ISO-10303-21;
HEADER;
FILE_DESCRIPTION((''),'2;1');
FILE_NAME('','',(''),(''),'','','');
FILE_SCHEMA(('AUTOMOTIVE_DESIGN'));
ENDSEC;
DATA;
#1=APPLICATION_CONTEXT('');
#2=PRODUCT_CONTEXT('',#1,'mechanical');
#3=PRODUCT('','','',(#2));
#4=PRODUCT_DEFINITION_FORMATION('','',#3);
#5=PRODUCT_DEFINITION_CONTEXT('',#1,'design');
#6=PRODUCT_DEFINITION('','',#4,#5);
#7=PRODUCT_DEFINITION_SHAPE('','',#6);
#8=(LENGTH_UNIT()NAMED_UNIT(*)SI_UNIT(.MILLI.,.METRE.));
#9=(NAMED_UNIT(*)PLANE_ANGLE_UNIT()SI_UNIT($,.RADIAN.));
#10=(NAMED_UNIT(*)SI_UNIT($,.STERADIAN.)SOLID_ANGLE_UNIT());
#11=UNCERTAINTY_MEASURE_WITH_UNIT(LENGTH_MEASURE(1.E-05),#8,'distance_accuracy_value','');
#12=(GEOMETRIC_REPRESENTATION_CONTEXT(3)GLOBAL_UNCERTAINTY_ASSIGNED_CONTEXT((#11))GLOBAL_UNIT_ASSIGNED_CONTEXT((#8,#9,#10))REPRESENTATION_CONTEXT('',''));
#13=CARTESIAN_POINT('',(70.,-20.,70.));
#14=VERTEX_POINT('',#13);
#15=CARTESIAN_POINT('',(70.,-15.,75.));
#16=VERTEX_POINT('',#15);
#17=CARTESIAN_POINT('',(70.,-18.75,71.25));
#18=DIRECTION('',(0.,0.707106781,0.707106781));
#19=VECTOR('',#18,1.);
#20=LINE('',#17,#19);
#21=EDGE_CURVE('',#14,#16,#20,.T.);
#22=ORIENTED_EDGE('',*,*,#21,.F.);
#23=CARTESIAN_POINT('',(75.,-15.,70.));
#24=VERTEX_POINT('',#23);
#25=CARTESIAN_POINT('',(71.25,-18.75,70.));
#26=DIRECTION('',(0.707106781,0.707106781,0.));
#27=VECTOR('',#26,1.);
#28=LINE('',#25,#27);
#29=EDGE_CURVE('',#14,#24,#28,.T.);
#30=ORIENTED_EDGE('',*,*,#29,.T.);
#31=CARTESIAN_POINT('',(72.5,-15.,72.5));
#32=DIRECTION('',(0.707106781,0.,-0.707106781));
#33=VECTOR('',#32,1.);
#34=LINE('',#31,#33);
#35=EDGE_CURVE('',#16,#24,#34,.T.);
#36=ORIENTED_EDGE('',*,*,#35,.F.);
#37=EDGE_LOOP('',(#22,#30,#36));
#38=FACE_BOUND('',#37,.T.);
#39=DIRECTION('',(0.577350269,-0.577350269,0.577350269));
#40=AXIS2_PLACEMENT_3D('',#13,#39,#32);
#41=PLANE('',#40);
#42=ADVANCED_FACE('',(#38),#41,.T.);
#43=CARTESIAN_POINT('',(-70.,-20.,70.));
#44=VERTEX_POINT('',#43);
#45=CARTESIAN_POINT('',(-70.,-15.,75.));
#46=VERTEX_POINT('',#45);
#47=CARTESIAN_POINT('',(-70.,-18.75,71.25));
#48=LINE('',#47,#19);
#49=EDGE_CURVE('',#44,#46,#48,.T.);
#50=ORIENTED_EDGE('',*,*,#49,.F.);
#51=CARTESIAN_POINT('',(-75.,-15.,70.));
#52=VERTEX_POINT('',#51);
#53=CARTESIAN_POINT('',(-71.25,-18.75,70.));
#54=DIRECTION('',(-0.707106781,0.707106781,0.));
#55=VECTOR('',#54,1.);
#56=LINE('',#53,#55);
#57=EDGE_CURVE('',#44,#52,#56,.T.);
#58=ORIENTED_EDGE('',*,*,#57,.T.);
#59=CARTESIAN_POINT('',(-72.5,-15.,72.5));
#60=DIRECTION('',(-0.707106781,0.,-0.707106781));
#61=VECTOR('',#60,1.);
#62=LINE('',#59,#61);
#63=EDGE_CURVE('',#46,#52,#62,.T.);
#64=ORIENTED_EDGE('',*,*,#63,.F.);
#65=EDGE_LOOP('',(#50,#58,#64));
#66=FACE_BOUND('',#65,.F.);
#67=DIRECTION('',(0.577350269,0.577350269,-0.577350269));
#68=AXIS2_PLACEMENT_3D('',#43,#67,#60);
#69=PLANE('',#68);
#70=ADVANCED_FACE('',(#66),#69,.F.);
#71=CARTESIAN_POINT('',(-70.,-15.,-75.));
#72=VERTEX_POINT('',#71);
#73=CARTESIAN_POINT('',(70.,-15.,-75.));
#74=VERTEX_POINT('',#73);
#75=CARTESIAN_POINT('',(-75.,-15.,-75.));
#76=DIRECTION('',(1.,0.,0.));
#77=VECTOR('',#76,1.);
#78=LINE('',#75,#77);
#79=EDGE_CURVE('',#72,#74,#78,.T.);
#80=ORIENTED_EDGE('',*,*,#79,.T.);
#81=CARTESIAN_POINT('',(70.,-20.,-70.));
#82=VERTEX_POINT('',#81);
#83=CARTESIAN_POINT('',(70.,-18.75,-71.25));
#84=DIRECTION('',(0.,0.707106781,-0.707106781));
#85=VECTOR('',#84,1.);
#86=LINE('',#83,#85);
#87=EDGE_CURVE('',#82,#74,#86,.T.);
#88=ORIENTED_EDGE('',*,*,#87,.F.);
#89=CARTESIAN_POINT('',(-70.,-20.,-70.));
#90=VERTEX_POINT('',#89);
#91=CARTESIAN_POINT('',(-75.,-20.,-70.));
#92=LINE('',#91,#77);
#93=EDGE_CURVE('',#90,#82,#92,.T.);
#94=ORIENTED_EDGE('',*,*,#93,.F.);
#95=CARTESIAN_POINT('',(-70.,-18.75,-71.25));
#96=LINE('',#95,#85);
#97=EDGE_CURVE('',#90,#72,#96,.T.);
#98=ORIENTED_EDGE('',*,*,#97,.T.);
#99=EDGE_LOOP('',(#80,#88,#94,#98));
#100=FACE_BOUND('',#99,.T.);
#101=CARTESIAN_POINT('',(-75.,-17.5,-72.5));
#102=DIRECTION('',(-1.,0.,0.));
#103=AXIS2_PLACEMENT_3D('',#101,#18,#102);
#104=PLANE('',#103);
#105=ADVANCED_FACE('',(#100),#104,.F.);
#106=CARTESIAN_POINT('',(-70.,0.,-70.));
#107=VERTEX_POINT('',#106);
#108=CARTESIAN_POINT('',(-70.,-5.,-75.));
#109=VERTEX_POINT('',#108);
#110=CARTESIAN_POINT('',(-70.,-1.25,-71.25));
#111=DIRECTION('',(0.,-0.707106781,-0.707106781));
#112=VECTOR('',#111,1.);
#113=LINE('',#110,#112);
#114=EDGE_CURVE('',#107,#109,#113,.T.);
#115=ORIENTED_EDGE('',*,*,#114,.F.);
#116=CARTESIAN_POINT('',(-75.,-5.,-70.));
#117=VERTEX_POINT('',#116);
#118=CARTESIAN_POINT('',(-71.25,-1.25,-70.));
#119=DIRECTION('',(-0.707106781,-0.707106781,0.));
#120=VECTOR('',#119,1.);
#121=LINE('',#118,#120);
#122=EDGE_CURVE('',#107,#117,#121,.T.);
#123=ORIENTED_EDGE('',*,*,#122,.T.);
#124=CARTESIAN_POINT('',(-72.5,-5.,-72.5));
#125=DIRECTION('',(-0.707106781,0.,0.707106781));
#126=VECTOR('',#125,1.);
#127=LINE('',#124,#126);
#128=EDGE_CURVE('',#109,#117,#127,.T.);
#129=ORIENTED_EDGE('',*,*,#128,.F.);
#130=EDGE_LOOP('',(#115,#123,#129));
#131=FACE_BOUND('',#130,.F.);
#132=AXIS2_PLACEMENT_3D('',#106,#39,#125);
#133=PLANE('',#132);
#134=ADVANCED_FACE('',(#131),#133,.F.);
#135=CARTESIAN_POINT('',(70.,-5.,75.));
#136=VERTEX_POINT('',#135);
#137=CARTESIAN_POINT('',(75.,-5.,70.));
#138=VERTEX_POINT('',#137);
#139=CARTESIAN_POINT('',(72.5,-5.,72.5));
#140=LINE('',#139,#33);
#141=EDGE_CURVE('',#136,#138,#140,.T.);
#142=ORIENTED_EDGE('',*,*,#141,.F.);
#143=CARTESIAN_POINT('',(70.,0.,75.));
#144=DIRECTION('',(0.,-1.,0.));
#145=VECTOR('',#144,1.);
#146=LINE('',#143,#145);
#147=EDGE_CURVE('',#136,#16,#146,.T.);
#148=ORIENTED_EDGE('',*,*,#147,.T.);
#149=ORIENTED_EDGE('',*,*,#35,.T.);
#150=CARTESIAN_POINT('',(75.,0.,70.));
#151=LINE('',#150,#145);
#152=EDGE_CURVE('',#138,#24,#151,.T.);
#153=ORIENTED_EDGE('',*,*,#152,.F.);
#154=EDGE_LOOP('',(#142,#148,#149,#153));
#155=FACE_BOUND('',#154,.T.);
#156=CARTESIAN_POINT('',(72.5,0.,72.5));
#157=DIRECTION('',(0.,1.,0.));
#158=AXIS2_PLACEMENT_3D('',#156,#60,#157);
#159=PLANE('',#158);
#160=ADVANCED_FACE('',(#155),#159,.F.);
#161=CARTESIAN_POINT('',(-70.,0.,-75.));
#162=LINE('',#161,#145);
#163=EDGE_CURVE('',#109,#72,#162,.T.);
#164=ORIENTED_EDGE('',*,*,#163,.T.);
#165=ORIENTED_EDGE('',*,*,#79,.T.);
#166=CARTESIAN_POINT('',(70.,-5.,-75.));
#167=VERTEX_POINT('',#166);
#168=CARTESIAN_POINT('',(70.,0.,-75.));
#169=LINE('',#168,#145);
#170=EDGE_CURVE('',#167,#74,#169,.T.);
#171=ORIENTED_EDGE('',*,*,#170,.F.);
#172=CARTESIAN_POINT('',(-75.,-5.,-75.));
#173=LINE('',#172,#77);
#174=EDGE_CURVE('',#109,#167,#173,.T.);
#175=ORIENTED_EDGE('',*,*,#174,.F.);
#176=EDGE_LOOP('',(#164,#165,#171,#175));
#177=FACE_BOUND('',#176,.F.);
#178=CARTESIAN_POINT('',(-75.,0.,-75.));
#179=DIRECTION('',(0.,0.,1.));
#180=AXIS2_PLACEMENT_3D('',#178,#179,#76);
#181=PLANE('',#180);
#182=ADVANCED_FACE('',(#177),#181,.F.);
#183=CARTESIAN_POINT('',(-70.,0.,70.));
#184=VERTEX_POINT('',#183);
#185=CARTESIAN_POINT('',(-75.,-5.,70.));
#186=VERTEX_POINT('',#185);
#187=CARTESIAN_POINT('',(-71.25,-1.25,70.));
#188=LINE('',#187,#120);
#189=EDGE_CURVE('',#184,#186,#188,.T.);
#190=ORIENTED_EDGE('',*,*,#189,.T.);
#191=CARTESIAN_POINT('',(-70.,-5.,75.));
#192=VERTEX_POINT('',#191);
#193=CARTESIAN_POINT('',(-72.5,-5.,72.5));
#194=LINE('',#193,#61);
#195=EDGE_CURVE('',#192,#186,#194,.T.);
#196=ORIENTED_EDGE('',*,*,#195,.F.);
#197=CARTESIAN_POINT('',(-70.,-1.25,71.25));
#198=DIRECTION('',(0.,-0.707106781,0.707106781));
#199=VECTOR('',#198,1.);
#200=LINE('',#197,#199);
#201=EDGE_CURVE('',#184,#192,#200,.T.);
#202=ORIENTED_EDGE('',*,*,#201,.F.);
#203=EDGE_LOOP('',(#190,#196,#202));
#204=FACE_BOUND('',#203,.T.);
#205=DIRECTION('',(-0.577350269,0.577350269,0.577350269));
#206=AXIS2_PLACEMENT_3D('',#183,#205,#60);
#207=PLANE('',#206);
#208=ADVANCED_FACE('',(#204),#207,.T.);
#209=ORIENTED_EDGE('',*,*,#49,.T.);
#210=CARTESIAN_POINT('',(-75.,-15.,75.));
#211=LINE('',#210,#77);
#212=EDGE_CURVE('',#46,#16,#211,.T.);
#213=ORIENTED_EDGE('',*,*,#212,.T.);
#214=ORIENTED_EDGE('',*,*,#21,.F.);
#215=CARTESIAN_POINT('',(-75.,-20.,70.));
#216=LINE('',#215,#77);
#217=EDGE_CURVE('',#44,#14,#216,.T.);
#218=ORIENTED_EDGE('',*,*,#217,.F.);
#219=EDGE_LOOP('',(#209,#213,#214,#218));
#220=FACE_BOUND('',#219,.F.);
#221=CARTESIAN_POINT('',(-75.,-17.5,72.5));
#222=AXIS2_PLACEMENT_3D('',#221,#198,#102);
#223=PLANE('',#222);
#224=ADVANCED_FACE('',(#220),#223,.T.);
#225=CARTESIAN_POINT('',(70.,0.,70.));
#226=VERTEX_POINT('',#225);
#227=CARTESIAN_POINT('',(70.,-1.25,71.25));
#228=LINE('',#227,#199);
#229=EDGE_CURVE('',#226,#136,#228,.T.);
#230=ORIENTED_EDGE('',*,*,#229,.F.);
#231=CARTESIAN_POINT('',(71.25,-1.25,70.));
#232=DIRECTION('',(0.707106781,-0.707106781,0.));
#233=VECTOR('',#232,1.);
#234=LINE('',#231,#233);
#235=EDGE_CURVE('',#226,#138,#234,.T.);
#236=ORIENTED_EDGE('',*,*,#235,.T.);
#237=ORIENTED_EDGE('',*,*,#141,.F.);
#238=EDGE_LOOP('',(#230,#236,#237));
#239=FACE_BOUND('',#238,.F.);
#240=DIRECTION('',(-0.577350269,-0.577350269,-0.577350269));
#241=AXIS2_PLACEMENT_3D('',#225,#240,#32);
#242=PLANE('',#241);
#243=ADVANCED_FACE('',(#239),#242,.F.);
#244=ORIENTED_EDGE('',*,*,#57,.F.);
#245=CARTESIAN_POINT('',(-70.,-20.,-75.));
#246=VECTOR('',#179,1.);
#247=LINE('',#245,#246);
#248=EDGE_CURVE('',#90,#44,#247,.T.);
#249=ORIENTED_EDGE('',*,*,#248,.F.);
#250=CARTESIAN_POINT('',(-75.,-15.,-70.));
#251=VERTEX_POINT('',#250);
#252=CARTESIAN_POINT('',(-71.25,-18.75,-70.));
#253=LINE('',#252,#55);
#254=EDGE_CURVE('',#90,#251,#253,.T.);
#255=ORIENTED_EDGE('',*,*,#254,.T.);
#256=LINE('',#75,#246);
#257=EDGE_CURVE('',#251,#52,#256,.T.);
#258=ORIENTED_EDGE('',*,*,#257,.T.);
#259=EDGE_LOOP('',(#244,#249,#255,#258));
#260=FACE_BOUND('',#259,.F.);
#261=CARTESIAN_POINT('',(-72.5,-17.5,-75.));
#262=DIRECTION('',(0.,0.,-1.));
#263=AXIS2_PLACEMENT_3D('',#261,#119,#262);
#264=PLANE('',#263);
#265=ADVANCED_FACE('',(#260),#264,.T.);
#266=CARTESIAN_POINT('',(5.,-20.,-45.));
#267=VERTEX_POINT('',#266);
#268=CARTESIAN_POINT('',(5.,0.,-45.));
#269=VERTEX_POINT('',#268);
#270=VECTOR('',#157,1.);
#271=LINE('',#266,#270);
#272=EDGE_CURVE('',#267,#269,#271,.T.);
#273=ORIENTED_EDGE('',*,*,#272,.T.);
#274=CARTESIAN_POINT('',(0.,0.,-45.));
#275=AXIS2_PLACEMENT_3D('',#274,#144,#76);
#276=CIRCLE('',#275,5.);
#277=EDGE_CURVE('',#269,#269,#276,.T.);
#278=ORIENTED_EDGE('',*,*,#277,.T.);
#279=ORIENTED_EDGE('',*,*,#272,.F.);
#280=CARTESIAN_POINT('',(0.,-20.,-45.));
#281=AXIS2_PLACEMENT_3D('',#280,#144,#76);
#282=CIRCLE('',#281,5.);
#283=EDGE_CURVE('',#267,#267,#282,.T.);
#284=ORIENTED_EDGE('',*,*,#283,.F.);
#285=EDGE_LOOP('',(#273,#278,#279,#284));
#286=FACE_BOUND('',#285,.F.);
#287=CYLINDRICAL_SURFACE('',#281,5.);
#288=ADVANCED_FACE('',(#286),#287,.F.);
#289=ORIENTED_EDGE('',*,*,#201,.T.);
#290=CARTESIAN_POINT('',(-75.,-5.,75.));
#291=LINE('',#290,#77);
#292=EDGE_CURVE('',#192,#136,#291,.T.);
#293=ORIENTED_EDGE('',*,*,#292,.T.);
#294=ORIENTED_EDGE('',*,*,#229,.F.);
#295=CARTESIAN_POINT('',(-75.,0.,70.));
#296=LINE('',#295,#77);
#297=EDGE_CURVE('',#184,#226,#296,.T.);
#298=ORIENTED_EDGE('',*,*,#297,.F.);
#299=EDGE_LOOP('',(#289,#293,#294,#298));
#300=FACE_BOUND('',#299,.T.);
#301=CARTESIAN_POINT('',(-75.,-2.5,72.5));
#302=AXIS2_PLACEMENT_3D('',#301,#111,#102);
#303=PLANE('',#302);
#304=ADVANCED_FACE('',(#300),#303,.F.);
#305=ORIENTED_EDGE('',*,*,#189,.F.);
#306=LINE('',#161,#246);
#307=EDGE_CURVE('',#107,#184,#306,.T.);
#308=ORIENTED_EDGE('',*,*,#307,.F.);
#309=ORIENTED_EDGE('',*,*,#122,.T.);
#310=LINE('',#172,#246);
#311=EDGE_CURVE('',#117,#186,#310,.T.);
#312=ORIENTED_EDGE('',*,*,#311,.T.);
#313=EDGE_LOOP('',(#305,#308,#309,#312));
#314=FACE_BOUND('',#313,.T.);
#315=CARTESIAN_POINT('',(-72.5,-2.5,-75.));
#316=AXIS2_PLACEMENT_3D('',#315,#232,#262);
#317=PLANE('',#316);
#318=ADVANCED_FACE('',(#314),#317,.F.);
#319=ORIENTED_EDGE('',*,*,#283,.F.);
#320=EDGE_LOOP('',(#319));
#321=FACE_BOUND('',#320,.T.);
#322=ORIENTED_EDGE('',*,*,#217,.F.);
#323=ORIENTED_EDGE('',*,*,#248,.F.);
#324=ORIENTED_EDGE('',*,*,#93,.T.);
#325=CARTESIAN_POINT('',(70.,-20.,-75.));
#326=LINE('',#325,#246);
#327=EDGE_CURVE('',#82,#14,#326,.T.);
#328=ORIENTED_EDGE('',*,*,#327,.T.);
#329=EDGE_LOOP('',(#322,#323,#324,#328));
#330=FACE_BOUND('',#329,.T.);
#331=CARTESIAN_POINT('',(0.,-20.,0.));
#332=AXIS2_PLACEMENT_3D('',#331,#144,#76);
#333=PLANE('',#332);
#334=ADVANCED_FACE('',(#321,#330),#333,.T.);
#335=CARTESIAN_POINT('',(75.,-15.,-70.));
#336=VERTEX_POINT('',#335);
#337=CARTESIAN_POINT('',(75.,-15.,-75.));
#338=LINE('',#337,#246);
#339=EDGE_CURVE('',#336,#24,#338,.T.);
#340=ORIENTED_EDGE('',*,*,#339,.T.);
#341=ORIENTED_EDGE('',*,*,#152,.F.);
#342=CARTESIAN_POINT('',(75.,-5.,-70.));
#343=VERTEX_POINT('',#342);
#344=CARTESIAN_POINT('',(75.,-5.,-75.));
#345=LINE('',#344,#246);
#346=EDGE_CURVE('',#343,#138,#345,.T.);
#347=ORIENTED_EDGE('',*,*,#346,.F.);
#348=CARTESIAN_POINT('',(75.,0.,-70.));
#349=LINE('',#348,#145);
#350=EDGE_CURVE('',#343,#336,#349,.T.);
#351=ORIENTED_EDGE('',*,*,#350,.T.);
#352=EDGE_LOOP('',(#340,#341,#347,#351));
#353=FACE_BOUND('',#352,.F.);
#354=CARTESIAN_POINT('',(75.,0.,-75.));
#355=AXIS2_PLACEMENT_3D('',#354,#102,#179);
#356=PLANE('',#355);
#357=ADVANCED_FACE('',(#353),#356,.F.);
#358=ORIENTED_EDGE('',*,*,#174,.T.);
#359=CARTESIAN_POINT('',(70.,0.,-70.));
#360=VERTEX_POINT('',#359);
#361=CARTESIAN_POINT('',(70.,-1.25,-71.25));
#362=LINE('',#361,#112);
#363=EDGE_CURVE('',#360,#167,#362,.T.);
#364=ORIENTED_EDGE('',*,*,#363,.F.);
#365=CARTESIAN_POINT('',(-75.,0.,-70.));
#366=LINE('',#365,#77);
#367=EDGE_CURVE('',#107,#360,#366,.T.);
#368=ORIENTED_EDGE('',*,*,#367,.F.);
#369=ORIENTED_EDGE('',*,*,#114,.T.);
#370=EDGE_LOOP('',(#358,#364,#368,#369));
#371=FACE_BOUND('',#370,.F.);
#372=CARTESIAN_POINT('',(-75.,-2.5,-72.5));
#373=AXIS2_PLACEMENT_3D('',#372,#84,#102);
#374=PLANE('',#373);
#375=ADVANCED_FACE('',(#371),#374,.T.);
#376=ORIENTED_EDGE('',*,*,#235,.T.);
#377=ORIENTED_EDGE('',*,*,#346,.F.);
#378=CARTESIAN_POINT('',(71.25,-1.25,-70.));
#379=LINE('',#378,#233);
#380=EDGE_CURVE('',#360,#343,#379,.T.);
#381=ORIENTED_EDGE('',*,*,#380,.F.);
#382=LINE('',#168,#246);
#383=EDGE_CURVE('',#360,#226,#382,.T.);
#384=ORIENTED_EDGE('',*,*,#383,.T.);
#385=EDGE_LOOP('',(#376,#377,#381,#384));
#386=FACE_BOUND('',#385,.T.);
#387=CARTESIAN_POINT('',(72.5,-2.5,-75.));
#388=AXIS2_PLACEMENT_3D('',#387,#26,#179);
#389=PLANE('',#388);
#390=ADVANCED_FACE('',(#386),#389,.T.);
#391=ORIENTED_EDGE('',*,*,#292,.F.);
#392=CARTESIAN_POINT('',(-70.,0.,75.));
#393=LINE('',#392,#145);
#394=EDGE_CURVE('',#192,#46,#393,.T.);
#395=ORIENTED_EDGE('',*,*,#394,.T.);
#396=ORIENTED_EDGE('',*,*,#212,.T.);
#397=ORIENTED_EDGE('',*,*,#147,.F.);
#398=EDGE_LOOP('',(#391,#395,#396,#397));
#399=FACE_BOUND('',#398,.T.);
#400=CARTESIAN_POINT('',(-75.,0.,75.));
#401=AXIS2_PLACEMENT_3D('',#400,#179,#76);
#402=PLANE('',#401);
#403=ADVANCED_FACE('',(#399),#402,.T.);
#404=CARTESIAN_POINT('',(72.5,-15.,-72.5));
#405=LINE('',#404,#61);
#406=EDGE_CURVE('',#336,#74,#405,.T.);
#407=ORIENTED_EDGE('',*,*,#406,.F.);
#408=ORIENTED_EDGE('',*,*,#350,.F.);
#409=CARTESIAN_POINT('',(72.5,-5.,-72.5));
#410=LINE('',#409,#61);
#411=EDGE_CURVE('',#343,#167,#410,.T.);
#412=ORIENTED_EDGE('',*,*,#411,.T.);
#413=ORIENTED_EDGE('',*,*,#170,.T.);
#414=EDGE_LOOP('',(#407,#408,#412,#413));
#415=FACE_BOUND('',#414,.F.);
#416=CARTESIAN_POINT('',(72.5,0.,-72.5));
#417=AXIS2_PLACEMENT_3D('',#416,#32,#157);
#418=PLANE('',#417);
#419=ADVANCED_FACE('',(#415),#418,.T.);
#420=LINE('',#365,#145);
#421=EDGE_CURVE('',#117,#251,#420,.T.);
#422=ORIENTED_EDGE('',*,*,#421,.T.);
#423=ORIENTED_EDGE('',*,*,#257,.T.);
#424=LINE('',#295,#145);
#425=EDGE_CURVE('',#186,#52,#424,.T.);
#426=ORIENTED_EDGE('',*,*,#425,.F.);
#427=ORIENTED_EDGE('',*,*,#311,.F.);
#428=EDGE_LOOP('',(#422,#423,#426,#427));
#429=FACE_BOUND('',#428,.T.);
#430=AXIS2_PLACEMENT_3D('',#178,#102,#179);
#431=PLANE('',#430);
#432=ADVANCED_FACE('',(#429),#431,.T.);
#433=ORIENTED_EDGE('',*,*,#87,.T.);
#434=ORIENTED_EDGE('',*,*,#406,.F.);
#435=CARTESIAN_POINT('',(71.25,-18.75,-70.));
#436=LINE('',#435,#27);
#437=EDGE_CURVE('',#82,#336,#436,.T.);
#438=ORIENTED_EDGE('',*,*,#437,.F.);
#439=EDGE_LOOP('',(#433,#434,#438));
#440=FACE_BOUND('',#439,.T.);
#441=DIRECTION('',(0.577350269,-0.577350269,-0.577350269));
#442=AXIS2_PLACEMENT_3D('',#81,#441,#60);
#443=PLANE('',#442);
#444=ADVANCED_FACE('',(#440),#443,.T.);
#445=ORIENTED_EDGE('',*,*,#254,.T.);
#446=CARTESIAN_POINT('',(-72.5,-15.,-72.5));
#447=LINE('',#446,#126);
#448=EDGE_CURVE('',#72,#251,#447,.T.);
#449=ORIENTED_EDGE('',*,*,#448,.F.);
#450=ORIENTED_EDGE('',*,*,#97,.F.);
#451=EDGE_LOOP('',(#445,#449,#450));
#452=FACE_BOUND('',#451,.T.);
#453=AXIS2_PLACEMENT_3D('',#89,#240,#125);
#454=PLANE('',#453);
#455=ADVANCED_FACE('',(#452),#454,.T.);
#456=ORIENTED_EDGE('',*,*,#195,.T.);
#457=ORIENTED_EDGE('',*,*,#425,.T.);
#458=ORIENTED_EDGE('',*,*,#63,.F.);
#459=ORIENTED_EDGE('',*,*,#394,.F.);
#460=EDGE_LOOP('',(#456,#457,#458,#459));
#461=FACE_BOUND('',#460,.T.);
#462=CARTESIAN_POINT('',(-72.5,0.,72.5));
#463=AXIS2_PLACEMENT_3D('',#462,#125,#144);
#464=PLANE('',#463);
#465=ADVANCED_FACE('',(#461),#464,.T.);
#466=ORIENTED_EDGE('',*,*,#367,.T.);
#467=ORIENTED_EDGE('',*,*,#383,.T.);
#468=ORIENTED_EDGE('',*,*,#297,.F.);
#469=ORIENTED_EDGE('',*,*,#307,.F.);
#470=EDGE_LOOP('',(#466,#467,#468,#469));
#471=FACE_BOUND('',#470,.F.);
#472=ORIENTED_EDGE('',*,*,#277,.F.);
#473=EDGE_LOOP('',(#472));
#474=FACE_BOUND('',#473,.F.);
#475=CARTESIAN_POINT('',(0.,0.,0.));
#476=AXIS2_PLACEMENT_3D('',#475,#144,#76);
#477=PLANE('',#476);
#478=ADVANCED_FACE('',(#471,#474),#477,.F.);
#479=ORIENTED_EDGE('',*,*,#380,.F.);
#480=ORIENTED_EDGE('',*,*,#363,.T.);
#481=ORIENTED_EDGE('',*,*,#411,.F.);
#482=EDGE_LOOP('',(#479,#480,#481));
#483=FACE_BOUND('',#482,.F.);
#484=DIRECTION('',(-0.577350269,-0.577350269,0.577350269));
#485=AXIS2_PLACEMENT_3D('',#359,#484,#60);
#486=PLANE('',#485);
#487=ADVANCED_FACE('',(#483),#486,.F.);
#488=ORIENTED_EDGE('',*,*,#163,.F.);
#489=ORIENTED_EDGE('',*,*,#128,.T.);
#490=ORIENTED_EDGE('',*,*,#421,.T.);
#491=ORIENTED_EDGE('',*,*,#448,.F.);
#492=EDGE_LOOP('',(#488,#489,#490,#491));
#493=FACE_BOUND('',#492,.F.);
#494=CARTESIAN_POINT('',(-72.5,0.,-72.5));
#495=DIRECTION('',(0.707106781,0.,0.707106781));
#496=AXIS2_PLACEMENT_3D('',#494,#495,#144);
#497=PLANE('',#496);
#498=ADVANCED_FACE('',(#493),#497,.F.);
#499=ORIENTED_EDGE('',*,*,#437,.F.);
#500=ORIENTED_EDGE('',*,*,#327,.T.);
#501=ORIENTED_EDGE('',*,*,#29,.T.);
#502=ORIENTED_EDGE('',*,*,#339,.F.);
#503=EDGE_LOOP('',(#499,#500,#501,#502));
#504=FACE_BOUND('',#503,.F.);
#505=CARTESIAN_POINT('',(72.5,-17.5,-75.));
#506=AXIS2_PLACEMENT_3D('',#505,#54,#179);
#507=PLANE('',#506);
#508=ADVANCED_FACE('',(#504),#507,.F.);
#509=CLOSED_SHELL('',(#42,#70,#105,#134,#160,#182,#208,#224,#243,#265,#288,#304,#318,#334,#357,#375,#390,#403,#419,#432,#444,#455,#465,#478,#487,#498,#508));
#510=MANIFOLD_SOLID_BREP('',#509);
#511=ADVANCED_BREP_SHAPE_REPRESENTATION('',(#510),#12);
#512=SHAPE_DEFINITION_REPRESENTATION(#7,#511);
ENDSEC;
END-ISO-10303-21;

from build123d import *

# Parameters (mm, degrees)
F0_W     = 150
F0_H     = 150
F1_DEPTH = 20
F2_R     = 5
F3_DEPTH = 20.001
F4_SIZE  = 5


with BuildPart() as f1:
    # F0 (on Front) → F1 (new body)
    with BuildSketch(Plane.XZ):
        Rectangle(F0_W, F0_H)
    extrude(amount=F1_DEPTH)

    # F2 (on face) → F3 (cut, through all)
    with BuildSketch(Plane.XZ.offset(20)):
        with Locations((0, -45)):
            Circle(F2_R)
    extrude(amount=-F3_DEPTH, mode=Mode.SUBTRACT)

    # F4
    f4_edges = [f1.edges().sort_by_distance(p)[0] for p in [
        (75, -10, 75),
        (-75, -10, 75),
        (0, 0, 75),
        (0, -20, 75),
        (75, -10, -75),
        (75, 0, 0),
        (75, -20, 0),
        (-75, -10, -75),
        (0, 0, -75),
        (0, -20, -75),
        (-75, 0, 0),
        (-75, -20, 0),
    ]]
    chamfer(f4_edges, length=F4_SIZE)


solid = f1.part
